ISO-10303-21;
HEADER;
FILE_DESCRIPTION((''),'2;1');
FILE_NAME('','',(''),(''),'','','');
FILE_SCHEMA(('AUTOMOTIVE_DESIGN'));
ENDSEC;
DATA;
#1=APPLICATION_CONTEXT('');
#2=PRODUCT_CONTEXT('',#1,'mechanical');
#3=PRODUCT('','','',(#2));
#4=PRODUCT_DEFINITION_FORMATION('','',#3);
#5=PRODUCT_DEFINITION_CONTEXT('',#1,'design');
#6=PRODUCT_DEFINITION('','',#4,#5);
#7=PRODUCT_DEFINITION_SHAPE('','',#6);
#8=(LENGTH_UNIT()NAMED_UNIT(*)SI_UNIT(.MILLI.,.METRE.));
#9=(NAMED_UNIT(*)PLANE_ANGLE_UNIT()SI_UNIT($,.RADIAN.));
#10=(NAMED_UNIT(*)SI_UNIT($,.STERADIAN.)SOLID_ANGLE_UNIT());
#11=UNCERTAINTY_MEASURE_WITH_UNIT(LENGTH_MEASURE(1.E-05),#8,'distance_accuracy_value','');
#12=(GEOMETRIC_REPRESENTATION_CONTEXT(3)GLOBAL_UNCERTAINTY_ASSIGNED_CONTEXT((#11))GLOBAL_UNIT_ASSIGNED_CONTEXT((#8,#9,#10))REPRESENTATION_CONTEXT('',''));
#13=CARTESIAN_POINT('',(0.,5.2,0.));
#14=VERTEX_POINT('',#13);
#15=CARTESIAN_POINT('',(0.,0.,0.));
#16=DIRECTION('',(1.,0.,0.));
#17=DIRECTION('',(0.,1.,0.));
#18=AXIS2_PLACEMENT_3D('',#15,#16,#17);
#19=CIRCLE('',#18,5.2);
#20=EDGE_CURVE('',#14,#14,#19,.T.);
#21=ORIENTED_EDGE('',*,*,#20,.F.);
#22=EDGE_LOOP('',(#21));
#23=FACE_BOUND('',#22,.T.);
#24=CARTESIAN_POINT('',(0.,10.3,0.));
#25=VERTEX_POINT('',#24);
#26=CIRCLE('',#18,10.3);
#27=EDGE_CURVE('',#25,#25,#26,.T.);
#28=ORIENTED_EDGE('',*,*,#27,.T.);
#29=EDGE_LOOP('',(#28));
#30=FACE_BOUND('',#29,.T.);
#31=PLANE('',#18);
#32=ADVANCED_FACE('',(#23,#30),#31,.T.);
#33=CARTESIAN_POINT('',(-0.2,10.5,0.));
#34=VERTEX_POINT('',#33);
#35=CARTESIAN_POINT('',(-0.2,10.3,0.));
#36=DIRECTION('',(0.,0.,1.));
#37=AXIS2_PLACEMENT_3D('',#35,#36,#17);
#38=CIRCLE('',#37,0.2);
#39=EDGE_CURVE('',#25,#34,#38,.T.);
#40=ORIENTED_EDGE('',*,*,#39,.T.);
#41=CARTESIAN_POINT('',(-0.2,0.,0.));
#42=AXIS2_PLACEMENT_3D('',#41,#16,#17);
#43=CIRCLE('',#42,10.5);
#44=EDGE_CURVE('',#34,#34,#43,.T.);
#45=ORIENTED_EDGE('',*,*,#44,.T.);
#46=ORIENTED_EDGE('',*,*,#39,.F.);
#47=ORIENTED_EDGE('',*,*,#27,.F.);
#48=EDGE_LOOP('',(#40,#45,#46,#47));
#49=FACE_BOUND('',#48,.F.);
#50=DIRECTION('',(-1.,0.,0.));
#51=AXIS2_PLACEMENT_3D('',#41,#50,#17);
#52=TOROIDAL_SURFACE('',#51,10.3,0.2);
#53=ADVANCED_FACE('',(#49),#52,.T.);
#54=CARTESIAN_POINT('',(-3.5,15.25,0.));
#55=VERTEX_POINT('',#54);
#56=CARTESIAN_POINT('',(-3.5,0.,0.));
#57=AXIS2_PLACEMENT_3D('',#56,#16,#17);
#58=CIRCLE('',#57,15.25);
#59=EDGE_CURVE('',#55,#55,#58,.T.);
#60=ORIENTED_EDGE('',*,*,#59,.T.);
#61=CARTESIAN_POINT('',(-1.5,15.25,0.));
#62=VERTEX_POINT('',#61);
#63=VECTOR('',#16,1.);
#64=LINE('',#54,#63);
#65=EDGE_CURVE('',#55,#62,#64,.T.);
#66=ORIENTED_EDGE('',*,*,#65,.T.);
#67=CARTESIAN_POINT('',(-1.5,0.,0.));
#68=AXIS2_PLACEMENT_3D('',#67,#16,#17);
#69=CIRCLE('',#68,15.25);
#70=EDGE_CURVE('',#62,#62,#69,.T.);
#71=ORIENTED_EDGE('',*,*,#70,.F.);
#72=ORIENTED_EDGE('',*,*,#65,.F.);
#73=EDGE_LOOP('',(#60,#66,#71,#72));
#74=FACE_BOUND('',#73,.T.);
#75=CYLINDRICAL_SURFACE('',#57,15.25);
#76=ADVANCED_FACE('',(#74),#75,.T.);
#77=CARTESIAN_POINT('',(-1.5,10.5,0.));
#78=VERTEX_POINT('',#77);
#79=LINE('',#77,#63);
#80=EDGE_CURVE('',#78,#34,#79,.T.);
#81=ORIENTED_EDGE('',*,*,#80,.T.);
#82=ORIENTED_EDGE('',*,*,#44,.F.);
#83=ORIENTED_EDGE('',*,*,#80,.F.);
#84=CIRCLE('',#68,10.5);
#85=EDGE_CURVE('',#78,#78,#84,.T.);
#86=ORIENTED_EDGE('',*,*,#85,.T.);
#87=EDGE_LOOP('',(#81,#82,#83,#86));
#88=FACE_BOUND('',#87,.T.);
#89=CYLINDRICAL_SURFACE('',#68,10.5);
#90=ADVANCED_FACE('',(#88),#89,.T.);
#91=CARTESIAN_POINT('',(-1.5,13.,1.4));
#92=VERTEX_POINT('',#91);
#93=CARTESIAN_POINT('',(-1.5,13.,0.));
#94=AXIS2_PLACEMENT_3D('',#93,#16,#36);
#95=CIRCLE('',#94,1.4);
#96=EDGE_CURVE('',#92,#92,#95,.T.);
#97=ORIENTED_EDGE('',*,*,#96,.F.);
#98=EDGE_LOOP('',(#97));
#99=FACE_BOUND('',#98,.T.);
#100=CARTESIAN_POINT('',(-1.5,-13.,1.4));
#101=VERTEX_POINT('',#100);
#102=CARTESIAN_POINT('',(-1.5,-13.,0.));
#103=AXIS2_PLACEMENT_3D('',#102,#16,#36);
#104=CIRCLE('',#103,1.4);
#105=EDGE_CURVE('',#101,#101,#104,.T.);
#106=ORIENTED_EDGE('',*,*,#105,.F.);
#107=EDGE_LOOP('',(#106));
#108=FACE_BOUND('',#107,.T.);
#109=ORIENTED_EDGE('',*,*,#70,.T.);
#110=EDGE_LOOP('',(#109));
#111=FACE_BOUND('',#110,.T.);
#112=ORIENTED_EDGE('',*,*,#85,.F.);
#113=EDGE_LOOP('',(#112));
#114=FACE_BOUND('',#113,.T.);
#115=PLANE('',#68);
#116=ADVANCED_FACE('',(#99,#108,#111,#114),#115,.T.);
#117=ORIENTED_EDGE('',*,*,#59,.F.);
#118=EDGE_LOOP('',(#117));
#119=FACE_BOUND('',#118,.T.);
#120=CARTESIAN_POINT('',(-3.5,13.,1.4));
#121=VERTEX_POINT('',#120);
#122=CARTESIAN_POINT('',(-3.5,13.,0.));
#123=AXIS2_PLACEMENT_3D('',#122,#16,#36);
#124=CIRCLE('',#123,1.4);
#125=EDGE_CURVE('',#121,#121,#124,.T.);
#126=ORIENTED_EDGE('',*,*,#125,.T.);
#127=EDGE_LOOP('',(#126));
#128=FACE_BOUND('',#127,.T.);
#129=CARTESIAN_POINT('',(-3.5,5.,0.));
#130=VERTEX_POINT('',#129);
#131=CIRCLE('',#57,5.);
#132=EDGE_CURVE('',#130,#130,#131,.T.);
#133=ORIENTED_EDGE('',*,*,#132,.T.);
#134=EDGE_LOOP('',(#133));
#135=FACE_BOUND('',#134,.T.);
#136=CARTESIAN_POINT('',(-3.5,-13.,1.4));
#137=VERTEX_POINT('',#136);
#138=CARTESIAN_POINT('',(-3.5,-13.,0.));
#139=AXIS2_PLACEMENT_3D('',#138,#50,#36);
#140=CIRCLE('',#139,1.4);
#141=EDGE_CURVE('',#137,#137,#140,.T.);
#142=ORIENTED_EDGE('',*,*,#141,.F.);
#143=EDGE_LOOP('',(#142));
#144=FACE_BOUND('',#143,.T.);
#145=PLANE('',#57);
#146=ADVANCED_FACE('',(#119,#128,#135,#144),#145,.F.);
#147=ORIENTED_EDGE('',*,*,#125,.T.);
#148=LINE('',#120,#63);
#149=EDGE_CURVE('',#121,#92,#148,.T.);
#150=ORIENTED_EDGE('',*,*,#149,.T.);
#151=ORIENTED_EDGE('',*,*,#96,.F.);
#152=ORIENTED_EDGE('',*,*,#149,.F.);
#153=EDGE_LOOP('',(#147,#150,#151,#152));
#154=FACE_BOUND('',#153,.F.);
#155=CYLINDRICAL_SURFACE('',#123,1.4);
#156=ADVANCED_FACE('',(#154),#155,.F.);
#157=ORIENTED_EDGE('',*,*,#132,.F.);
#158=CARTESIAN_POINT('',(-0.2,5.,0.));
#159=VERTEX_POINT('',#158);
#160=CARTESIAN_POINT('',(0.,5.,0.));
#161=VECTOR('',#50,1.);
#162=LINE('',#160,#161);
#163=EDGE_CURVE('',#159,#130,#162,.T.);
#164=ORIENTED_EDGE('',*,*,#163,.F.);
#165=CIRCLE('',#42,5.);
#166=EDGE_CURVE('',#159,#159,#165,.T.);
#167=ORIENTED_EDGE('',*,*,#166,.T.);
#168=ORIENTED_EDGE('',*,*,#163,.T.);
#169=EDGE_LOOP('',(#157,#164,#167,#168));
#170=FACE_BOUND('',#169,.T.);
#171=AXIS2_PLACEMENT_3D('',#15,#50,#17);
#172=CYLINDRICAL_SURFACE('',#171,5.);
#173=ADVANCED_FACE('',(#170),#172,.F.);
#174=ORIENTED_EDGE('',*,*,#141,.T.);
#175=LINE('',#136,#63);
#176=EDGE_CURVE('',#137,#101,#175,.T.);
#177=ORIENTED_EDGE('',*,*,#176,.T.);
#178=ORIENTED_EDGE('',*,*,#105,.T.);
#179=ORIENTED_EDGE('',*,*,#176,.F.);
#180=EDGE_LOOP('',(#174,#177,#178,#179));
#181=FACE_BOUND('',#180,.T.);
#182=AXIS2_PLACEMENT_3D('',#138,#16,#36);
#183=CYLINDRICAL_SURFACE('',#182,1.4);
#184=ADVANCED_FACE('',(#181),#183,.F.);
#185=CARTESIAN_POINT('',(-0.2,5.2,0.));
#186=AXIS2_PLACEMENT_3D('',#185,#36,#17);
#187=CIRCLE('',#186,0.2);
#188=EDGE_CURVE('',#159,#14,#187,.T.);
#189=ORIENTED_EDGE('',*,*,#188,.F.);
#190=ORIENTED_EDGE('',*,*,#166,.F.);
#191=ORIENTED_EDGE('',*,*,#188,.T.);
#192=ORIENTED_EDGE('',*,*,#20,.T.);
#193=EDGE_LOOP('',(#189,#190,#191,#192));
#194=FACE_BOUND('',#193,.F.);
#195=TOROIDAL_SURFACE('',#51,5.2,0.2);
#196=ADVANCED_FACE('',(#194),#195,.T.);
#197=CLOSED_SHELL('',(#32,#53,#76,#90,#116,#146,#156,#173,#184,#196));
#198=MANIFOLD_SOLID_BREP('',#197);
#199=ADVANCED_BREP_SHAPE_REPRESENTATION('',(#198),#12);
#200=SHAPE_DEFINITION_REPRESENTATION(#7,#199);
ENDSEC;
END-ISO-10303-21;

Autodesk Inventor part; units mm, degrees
ref_plane "YZ Plane" through (0, 0, 0) normal (1, 0, 0) x (0, 1, 0)
ref_plane "XZ Plane" through (0, 0, 0) normal (0, 1, 0) x (-1, 0, 0)
ref_plane "XY Plane" through (0, 0, 0) normal (0, 0, 1) x (1, 0, 0)
sketch "Sketch1" plane through (0, 0, 0) normal (0, 0, 1) x (1, 0, 0)
  line L0 (-4.2, 0) -> (0.7, 0) construction
  line L1 (0, -3.05) -> (0, 18.3) construction
  line L2 (0, 5) -> (-3.5, 5)
  line L3 (-3.5, 5) -> (-3.5, 15.25)
  line L4 (-3.5, 15.25) -> (-1.5, 15.25)
  line L5 (-1.5, 15.25) -> (-1.5, 10.5)
  line L6 (-1.5, 10.5) -> (0, 10.5)
  line L7 (0, 10.5) -> (0, 5)
  point P0 (0, 0)
  dimension "d0" = 10
  dimension "d1" = 21
  dimension "d2" = 1.5
  dimension "d3" = 2
  dimension "d4" = 30.5
revolve "Revolution1" add sketch "Sketch1" angle 360 about axis through (-10, 0, 0) along (1, 0, 0)
sketch "Sketch2" plane through (-3.5, 0, 0) normal (-1, 0, 0) x (0, 0, 1)
  line L0 (0, -21.35) -> (0, 21.35) projected
  line L1 (-21.35, 0) -> (21.35, 0) projected
  point P0 (0, 0)
  point P1 (0, 13)
  dimension "d6" = 13
hole "Hole1" at (-3.5, 13, 0) direction (1, 0, 0) diameter 2.8 end through all
mirror "Mirror1" about plane through (0, 0, 0) normal (0, 1, 0) of "Hole1"
fillet "Fillet1" radius 0.2 2 edges at (0, -10.5, 0) (0, -5, 0)
properties part number "P120RondelleAppui" material "ABS Plastic"
